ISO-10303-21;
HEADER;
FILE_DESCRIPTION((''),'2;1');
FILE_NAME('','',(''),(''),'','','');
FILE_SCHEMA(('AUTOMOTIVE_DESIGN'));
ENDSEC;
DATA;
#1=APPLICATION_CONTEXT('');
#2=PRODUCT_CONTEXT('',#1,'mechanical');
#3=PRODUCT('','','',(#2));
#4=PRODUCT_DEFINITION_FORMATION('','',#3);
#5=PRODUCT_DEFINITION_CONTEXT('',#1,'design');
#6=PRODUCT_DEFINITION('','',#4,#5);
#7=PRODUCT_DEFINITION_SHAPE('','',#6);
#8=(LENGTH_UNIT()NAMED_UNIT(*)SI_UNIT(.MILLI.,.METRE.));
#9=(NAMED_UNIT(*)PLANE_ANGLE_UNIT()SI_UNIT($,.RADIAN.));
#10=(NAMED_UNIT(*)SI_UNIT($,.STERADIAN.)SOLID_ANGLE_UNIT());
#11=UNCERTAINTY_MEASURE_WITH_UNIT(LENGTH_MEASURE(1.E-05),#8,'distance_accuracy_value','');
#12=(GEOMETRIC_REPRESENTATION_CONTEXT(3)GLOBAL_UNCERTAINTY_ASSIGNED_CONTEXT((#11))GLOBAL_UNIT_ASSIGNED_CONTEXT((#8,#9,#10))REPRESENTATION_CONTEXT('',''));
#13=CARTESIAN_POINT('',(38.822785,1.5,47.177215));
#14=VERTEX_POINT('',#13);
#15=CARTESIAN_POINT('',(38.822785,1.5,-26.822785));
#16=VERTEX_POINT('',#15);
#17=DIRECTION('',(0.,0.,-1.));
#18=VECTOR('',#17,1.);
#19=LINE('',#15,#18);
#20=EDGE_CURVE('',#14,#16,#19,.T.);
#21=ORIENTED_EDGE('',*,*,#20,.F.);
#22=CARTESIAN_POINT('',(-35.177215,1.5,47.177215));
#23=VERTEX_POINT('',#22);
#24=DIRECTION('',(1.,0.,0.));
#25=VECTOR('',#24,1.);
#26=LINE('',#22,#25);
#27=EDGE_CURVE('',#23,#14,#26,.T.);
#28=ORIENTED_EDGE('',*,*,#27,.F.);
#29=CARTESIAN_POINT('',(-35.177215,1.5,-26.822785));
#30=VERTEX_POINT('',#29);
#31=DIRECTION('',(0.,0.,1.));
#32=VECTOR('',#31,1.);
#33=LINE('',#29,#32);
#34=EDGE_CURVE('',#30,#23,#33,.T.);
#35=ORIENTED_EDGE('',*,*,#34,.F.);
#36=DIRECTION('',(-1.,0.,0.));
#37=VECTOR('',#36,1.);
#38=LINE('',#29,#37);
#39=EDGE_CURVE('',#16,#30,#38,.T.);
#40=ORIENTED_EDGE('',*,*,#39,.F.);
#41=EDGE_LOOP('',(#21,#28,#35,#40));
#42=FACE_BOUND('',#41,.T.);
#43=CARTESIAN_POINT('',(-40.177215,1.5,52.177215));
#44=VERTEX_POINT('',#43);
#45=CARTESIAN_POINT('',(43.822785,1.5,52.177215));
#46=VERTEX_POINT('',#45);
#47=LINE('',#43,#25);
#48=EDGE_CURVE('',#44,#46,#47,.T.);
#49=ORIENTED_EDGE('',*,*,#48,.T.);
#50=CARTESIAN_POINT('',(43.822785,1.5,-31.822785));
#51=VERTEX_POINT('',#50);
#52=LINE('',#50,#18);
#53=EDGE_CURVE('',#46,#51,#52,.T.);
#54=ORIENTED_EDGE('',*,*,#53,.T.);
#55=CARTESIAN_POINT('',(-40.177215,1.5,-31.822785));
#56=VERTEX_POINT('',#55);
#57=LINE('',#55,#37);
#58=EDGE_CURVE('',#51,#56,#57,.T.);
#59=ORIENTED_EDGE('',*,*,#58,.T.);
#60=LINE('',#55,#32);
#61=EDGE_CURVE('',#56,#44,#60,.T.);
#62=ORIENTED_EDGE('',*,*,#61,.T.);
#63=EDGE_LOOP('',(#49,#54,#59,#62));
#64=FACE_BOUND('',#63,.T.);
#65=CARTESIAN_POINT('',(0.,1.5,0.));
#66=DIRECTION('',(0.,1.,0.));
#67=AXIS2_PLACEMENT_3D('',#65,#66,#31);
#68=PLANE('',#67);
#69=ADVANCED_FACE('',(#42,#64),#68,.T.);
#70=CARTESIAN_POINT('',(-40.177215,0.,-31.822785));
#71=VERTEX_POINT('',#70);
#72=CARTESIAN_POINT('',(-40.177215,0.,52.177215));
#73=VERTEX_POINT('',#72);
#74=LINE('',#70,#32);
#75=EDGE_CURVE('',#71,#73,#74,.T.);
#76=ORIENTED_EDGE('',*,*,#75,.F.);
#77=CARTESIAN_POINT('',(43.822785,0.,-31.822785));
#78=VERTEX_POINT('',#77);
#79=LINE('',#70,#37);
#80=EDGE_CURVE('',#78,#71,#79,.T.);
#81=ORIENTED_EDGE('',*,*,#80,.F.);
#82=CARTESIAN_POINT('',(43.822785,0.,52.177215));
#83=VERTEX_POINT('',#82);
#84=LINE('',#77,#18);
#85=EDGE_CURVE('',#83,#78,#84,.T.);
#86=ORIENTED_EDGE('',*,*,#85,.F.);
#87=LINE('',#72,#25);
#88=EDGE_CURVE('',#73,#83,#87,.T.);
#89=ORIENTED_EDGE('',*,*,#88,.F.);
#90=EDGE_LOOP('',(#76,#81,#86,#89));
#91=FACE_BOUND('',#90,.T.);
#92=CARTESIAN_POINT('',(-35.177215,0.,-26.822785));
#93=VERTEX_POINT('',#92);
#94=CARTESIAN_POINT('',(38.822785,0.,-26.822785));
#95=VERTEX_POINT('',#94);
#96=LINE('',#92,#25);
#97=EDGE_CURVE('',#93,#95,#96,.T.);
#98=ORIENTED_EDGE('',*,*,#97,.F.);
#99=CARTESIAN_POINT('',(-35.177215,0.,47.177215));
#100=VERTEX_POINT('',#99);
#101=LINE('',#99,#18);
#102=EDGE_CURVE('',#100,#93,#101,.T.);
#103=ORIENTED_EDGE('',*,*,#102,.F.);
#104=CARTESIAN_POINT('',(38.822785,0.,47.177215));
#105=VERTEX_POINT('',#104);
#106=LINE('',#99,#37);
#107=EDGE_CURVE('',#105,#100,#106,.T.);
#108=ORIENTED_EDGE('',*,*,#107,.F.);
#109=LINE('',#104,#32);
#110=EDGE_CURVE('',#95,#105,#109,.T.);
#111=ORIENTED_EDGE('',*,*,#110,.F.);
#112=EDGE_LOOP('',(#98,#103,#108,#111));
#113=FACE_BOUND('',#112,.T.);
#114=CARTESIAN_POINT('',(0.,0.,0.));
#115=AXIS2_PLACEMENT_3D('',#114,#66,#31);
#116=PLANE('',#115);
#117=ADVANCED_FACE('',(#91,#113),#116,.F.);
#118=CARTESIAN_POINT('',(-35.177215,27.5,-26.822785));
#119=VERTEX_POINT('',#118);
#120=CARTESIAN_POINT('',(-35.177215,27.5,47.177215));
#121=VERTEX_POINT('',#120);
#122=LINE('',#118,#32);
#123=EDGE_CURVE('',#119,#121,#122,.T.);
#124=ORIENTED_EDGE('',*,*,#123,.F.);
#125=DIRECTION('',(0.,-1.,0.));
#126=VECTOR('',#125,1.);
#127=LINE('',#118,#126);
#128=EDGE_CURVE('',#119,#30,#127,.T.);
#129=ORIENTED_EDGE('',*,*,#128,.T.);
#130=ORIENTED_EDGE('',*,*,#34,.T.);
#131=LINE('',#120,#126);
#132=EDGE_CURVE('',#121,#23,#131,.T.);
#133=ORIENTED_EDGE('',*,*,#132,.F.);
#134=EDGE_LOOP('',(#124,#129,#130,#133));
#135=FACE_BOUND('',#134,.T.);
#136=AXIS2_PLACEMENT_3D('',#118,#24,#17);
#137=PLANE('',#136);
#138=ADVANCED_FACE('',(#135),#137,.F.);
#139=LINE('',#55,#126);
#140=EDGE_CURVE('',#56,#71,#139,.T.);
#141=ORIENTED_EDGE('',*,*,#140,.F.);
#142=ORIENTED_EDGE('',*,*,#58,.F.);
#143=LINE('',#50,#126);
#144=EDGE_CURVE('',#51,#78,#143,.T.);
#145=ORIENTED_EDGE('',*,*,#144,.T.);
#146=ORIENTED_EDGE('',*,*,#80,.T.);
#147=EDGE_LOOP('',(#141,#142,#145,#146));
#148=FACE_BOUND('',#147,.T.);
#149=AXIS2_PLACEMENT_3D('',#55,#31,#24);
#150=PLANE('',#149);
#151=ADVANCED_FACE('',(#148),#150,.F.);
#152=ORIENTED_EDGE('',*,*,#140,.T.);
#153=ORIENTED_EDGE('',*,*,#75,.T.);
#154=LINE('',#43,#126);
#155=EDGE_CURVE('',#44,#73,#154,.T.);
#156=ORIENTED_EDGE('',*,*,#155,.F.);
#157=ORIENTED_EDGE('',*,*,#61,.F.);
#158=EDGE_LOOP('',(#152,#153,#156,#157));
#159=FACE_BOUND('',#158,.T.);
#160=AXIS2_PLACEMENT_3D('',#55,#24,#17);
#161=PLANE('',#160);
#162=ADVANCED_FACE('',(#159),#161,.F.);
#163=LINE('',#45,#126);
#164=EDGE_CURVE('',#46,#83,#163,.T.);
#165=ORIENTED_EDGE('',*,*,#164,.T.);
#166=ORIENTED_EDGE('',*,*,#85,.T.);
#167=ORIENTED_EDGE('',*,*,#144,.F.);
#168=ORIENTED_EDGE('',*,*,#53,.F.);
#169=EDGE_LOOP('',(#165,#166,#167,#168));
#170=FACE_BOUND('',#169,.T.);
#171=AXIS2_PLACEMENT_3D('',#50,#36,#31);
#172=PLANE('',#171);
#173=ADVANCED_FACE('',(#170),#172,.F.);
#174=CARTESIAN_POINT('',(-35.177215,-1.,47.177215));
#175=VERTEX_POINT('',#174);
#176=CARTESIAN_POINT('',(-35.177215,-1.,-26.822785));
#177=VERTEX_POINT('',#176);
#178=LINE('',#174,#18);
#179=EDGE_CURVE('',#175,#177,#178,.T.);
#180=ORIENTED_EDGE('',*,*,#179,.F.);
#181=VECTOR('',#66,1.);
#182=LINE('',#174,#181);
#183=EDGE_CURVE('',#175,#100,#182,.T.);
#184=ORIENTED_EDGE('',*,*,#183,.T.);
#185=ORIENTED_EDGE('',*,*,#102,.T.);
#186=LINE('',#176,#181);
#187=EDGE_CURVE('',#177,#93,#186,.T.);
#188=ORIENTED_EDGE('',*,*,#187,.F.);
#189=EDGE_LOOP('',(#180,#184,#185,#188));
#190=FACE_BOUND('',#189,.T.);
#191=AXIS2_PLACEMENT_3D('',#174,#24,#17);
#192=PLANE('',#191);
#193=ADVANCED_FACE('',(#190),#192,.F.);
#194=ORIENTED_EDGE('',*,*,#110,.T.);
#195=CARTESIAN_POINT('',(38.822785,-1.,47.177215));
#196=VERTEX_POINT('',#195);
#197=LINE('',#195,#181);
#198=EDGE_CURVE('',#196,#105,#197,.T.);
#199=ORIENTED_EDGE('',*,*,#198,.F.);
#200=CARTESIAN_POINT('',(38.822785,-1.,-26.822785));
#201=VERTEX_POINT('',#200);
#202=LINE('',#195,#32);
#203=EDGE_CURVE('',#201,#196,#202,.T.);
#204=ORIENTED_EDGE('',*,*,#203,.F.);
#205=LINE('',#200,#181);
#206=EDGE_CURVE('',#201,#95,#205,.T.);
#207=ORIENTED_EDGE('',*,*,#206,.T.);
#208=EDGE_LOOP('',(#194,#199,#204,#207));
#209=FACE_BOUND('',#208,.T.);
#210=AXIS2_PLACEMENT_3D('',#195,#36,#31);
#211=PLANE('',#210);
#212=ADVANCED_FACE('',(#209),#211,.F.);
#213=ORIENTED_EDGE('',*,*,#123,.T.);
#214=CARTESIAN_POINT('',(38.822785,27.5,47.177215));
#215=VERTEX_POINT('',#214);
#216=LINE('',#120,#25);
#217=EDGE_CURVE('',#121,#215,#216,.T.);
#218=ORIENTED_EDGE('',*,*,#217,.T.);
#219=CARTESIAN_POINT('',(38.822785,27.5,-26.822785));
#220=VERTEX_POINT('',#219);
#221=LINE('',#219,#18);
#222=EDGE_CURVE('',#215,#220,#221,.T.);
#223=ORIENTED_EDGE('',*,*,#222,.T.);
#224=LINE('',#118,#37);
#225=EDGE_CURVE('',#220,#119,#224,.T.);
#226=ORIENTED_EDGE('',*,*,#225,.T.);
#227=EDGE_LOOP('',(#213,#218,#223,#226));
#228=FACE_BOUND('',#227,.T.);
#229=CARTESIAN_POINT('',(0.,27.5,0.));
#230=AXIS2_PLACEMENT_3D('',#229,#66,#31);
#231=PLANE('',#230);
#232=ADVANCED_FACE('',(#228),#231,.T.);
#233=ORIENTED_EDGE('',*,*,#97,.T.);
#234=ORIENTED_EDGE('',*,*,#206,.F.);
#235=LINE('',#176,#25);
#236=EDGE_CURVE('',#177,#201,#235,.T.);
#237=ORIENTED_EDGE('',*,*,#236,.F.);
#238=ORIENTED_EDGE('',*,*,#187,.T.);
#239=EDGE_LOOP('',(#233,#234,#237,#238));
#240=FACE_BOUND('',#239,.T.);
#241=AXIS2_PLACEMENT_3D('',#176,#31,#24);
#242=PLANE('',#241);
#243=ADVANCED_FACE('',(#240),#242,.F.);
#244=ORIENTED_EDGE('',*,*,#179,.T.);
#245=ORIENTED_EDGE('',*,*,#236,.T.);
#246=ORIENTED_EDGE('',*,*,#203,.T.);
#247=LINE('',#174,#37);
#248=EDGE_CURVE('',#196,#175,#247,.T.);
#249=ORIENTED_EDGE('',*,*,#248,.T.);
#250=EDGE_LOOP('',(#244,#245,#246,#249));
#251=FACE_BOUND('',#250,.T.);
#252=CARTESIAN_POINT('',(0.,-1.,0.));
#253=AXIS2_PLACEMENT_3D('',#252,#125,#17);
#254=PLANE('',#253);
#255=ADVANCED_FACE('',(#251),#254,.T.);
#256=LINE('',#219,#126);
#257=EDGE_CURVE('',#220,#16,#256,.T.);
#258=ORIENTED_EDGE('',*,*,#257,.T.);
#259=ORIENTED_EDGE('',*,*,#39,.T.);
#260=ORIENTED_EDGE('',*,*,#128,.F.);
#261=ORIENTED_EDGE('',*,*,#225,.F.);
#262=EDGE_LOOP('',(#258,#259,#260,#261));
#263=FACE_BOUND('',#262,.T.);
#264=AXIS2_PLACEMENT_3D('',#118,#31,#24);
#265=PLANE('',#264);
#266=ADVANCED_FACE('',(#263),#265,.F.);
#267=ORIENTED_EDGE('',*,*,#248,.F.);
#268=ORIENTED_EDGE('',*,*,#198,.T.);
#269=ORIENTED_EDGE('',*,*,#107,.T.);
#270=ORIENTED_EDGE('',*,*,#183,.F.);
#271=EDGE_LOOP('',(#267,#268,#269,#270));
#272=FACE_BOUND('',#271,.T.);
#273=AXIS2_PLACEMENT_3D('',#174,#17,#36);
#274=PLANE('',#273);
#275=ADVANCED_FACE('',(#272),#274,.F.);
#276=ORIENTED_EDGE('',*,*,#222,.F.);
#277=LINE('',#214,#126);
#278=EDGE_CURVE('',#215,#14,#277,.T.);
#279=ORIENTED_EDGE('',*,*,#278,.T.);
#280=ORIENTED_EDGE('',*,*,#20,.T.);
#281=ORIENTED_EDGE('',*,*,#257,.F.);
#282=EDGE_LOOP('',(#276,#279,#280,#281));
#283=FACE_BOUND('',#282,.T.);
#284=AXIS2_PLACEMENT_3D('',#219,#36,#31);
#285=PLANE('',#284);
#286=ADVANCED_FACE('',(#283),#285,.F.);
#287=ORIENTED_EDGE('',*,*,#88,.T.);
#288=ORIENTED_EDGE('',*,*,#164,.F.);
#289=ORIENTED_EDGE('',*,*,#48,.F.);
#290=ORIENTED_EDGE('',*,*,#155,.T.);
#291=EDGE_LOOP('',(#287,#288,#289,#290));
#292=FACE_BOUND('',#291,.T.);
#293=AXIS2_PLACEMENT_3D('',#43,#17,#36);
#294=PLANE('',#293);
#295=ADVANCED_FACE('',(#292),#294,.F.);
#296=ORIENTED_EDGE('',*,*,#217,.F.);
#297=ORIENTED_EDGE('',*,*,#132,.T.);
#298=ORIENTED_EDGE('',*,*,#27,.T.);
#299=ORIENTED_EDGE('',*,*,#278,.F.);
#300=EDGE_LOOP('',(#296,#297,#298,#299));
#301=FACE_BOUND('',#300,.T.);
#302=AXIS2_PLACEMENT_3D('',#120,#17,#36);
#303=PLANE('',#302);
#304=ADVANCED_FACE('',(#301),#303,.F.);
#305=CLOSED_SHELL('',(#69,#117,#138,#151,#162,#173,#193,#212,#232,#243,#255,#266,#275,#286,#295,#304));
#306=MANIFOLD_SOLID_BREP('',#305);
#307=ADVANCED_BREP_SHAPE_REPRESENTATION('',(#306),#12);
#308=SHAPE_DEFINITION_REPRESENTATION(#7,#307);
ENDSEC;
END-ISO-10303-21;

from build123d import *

# Parameters (mm, degrees)
SKETCH_1_W      = 84
SKETCH_1_H      = 84
EXTRUDE_1_DEPTH = 1.5
SKETCH_2_W      = 74
SKETCH_2_H      = 74
EXTRUDE_2_DEPTH = 26
SKETCH_3_W      = 74
SKETCH_3_H      = 74
EXTRUDE_3_DEPTH = 1


with BuildPart() as part:
    # 草图1 → 凸台-拉伸1 (new body)
    with BuildSketch(Plane(origin=(0, 0, 0), x_dir=(1, 0, 0), z_dir=(0, 1, 0))):
        with Locations((1.82278481, -10.17721519)):
            Rectangle(SKETCH_1_W, SKETCH_1_H)
    extrude(amount=EXTRUDE_1_DEPTH)

    # 草图2 → 凸台-拉伸2 (add)
    with BuildSketch(Plane(origin=(0, 1.5, 0), x_dir=(1, 0, 0), z_dir=(0, 1, 0))):
        with Locations((1.82278481, -10.17721519)):
            Rectangle(SKETCH_2_W, SKETCH_2_H)
    extrude(amount=EXTRUDE_2_DEPTH)

    # 草图3 → 凸台-拉伸3 (add)
    with BuildSketch(Plane.XZ):
        with Locations((1.82278481, 10.17721519)):
            Rectangle(SKETCH_3_W, SKETCH_3_H)
    extrude(amount=EXTRUDE_3_DEPTH)


solid = part.part
